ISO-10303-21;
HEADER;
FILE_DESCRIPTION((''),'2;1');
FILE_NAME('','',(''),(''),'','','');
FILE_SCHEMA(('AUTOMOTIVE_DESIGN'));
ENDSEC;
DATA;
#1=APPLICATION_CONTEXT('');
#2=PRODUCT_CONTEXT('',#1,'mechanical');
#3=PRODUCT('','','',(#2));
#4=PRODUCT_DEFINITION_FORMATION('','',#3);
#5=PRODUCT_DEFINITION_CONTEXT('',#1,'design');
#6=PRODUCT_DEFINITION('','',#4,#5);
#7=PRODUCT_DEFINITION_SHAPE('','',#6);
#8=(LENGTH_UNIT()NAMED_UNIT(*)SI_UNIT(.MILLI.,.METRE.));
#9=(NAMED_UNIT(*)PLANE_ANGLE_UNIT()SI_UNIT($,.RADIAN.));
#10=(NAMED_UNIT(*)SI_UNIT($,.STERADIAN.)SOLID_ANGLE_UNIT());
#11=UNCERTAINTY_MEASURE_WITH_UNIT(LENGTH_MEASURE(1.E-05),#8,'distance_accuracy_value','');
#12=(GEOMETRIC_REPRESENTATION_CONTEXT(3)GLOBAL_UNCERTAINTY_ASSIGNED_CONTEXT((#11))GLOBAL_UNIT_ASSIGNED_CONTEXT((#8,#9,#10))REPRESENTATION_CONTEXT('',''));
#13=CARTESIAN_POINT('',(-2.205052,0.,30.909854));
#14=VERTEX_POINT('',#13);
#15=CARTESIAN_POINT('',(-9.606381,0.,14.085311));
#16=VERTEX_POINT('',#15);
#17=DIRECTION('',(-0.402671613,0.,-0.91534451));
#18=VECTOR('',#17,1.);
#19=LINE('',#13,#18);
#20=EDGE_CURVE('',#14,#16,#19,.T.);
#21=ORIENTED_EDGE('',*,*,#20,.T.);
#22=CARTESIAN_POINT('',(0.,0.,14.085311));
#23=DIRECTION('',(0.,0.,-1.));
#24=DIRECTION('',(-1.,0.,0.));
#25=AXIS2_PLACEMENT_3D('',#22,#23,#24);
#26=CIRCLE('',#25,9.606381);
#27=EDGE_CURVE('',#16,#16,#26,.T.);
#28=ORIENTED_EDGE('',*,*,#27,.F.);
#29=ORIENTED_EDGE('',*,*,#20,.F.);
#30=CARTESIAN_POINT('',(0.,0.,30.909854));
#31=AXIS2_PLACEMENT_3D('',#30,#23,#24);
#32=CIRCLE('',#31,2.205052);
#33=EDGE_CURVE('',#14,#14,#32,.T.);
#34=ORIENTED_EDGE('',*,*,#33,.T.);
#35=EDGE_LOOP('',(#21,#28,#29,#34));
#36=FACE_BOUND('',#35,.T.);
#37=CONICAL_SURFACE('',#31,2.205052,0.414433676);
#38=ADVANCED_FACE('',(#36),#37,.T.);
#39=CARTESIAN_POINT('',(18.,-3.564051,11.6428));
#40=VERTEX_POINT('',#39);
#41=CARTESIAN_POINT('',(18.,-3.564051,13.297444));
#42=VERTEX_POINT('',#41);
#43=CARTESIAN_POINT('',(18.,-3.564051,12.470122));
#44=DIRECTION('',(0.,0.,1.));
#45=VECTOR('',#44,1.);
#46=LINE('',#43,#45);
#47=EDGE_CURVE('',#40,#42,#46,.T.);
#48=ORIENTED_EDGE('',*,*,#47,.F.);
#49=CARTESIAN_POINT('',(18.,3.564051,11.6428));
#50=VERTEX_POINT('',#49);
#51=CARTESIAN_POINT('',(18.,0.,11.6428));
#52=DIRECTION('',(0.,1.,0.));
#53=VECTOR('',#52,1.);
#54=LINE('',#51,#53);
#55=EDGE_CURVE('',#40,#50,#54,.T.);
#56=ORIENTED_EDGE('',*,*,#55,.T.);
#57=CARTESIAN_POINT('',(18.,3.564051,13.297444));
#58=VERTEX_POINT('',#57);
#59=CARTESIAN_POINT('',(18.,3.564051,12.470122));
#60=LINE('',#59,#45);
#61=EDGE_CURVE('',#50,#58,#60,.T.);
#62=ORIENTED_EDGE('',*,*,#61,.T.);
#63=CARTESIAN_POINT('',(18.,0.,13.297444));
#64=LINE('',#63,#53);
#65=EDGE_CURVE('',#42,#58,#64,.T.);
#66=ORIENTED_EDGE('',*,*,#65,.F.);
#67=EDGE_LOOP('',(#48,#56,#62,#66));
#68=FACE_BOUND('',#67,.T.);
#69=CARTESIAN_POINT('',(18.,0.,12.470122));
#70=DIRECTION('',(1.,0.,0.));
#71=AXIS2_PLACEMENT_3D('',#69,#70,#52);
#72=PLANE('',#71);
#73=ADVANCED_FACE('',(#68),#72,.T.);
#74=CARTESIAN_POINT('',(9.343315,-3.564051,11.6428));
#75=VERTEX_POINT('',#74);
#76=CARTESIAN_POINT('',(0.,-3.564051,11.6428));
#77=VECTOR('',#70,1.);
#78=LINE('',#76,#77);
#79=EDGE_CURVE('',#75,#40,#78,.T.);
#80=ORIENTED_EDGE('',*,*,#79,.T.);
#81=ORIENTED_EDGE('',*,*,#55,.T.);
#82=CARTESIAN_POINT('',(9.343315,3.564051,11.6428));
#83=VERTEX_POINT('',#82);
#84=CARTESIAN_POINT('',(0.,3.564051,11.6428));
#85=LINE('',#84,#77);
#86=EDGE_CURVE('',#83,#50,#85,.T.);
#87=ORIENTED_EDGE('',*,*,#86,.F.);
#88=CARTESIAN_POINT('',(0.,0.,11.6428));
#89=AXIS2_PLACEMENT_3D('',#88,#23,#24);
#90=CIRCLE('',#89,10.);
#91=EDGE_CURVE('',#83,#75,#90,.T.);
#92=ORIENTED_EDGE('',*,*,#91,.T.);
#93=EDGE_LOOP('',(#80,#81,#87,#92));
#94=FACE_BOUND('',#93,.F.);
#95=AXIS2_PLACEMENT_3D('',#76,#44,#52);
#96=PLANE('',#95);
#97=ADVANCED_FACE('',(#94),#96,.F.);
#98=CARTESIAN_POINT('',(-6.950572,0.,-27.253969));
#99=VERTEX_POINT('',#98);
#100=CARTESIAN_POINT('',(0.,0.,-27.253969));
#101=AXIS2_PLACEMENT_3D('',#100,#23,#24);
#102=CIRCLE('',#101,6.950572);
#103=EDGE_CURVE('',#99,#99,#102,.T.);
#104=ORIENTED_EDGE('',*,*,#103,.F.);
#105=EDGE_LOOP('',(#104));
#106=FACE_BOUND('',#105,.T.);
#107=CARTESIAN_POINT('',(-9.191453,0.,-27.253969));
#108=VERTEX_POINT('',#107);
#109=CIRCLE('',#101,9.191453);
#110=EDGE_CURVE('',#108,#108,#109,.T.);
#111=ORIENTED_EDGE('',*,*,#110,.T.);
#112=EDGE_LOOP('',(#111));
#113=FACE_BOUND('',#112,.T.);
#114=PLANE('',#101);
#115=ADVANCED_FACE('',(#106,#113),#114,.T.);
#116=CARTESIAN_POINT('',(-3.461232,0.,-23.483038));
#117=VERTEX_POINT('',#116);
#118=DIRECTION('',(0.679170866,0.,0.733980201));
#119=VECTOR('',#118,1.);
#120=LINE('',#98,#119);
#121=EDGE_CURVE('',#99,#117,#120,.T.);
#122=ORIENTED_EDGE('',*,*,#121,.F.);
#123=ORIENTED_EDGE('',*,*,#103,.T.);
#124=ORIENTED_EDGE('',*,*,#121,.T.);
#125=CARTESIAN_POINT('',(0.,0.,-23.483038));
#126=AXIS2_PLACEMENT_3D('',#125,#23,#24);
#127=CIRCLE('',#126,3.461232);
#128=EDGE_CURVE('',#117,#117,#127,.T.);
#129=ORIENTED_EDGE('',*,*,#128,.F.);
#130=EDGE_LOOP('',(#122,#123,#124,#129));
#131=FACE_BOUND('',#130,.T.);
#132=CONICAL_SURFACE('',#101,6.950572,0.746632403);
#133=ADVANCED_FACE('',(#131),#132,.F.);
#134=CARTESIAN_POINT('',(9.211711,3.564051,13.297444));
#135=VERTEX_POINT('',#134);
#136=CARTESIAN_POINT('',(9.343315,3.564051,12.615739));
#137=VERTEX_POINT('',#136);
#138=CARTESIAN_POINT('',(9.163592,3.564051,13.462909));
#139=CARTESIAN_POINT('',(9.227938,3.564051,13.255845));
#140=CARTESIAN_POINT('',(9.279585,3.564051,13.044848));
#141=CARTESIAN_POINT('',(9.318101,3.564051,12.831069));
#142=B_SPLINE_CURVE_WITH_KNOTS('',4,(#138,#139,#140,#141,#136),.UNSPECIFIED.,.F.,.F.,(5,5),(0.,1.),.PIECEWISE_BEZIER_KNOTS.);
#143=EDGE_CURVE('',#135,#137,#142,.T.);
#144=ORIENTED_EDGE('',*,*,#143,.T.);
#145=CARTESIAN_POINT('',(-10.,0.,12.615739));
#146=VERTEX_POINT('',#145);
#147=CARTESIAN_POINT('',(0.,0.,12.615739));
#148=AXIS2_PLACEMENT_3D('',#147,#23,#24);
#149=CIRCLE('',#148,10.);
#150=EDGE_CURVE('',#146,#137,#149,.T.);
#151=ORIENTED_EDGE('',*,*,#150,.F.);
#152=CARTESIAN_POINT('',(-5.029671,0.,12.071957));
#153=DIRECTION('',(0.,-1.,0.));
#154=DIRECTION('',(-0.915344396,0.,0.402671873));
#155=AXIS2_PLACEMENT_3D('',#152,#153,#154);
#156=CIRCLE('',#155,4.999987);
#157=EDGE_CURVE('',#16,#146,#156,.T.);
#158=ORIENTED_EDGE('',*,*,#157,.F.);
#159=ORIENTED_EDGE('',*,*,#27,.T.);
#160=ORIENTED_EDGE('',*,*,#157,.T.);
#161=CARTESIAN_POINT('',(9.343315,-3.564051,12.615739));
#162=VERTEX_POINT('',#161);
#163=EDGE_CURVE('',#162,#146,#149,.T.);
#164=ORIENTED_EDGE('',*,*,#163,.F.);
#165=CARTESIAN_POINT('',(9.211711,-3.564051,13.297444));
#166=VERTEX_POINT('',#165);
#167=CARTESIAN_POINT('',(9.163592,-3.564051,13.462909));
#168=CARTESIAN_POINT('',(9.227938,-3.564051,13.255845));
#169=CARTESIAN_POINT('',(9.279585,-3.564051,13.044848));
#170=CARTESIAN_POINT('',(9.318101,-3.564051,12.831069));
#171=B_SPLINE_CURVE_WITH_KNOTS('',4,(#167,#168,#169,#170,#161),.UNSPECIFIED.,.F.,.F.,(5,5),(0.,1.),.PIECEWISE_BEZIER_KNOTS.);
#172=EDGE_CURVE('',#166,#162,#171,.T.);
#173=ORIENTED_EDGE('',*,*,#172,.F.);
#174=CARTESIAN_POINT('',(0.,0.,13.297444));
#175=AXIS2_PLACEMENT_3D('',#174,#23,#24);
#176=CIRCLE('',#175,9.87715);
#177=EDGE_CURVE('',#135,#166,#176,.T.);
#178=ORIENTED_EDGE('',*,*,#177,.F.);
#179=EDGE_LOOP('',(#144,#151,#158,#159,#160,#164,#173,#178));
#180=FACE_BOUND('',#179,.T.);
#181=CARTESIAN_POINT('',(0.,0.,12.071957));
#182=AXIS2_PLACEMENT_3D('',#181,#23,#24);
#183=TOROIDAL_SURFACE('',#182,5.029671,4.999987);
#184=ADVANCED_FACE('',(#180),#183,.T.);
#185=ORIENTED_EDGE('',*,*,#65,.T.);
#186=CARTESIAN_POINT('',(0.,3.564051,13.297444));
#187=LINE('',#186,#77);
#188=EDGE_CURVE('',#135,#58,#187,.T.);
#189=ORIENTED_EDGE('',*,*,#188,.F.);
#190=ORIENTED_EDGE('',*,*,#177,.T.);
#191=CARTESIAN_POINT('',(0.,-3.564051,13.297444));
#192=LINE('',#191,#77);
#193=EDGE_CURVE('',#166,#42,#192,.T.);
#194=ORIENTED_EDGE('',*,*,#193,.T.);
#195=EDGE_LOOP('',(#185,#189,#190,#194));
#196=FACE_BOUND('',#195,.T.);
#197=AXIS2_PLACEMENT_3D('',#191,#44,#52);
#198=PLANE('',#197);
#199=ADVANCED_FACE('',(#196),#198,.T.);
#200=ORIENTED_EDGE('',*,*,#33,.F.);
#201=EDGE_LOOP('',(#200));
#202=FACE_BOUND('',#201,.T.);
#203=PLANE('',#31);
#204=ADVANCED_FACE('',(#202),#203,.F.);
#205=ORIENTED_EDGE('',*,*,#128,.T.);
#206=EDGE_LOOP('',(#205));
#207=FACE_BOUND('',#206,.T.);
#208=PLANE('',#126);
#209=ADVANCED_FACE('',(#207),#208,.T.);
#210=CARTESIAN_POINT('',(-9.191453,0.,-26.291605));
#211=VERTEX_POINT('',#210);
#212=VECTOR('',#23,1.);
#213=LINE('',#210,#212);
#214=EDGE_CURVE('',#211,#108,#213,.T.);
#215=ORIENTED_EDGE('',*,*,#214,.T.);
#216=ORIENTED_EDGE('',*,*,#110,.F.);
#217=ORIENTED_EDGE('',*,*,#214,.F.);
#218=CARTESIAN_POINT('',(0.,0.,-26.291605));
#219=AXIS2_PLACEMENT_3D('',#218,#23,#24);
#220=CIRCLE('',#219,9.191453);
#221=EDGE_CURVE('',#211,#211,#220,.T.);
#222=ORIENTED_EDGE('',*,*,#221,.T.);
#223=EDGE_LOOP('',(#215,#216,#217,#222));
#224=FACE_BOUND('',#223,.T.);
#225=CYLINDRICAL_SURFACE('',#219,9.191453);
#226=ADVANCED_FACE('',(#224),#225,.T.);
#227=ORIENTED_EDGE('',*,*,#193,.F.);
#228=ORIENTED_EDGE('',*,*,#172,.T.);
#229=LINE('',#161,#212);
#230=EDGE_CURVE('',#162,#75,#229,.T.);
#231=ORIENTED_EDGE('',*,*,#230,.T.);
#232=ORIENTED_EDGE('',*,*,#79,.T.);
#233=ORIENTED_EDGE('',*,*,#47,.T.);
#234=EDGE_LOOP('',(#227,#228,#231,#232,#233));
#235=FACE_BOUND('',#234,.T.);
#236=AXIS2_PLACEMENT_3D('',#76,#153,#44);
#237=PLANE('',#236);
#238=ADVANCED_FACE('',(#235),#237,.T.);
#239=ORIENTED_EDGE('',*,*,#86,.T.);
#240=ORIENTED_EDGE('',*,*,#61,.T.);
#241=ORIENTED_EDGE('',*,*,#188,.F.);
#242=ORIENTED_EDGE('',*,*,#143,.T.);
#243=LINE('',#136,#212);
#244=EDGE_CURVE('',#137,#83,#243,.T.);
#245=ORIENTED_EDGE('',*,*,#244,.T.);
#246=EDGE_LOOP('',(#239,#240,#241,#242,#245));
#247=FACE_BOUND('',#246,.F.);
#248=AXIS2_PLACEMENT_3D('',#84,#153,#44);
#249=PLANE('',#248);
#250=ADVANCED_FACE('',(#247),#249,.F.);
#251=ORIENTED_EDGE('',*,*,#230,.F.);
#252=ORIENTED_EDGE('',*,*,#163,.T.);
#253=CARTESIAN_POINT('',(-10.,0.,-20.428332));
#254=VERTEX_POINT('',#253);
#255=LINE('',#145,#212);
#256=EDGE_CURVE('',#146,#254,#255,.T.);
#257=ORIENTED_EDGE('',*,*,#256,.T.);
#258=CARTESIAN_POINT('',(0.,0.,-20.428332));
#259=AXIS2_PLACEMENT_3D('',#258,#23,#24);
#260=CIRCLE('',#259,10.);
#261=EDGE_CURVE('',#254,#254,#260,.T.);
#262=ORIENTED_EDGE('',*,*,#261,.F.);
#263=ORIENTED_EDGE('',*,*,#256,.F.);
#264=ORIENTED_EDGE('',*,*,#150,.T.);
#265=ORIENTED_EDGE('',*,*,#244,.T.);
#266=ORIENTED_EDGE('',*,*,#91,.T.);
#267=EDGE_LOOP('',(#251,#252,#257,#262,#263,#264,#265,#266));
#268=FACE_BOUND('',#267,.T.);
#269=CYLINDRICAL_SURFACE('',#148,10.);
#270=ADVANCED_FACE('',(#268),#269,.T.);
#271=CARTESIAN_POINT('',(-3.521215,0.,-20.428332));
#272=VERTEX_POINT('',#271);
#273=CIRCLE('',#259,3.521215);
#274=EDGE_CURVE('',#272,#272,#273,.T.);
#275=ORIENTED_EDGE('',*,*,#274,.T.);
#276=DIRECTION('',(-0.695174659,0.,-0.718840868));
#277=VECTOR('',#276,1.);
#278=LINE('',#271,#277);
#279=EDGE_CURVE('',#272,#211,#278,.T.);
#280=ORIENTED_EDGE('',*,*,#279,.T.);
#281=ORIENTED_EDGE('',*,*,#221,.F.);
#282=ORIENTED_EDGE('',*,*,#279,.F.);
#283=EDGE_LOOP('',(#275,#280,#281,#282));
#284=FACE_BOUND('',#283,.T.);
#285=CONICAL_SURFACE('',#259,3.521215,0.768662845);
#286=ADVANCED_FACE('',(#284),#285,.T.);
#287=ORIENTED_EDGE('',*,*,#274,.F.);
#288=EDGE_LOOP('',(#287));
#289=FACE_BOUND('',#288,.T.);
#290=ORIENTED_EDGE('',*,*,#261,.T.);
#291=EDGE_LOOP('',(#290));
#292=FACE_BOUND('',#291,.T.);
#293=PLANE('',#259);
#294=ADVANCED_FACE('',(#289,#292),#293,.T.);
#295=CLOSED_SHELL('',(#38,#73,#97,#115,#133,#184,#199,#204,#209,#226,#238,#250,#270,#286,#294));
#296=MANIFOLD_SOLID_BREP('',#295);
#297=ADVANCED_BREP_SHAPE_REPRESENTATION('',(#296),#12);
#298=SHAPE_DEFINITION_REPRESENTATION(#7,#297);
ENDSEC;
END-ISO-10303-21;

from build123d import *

# Parameters (mm, degrees)
F2_W     = 7.128102
F2_H     = 1.654645
F3_DEPTH = 18


with BuildPart() as f1:
    # F0 (on Front) → F1 (revolve)
    with BuildSketch(Plane.XZ):
        with BuildLine():
            Line((0, 30.909854), (-2.205052, 30.909854))
            Line((-2.205052, 30.909854), (-9.606381, 14.085311))
            ThreePointArc((-9.606381, 14.085311), (-9.859412, 13.365584), (-10, 12.615739))
            Line((-10, 12.615739), (-10, -20.428332))
            Line((-10, -20.428332), (-3.521215, -20.428332))
            Line((-3.521215, -20.428332), (-9.191453, -26.291605))
            Line((-9.191453, -26.291605), (-9.191453, -27.253969))
            Line((-9.191453, -27.253969), (-6.950572, -27.253969))
            Line((-6.950572, -27.253969), (-3.461232, -23.483038))
            Line((-3.461232, -23.483038), (0, -23.483038))
            Line((0, -23.483038), (0, 30.909854))
        make_face()
    revolve(axis=Axis((0, 0, 3.713408), (0, 0, -1)))

    # F2 (on Right) → F3 (join)
    with BuildSketch(Plane.YZ):
        with Locations((0, 12.470122)):
            Rectangle(F2_W, F2_H)
    extrude(amount=F3_DEPTH)


solid = f1.part
